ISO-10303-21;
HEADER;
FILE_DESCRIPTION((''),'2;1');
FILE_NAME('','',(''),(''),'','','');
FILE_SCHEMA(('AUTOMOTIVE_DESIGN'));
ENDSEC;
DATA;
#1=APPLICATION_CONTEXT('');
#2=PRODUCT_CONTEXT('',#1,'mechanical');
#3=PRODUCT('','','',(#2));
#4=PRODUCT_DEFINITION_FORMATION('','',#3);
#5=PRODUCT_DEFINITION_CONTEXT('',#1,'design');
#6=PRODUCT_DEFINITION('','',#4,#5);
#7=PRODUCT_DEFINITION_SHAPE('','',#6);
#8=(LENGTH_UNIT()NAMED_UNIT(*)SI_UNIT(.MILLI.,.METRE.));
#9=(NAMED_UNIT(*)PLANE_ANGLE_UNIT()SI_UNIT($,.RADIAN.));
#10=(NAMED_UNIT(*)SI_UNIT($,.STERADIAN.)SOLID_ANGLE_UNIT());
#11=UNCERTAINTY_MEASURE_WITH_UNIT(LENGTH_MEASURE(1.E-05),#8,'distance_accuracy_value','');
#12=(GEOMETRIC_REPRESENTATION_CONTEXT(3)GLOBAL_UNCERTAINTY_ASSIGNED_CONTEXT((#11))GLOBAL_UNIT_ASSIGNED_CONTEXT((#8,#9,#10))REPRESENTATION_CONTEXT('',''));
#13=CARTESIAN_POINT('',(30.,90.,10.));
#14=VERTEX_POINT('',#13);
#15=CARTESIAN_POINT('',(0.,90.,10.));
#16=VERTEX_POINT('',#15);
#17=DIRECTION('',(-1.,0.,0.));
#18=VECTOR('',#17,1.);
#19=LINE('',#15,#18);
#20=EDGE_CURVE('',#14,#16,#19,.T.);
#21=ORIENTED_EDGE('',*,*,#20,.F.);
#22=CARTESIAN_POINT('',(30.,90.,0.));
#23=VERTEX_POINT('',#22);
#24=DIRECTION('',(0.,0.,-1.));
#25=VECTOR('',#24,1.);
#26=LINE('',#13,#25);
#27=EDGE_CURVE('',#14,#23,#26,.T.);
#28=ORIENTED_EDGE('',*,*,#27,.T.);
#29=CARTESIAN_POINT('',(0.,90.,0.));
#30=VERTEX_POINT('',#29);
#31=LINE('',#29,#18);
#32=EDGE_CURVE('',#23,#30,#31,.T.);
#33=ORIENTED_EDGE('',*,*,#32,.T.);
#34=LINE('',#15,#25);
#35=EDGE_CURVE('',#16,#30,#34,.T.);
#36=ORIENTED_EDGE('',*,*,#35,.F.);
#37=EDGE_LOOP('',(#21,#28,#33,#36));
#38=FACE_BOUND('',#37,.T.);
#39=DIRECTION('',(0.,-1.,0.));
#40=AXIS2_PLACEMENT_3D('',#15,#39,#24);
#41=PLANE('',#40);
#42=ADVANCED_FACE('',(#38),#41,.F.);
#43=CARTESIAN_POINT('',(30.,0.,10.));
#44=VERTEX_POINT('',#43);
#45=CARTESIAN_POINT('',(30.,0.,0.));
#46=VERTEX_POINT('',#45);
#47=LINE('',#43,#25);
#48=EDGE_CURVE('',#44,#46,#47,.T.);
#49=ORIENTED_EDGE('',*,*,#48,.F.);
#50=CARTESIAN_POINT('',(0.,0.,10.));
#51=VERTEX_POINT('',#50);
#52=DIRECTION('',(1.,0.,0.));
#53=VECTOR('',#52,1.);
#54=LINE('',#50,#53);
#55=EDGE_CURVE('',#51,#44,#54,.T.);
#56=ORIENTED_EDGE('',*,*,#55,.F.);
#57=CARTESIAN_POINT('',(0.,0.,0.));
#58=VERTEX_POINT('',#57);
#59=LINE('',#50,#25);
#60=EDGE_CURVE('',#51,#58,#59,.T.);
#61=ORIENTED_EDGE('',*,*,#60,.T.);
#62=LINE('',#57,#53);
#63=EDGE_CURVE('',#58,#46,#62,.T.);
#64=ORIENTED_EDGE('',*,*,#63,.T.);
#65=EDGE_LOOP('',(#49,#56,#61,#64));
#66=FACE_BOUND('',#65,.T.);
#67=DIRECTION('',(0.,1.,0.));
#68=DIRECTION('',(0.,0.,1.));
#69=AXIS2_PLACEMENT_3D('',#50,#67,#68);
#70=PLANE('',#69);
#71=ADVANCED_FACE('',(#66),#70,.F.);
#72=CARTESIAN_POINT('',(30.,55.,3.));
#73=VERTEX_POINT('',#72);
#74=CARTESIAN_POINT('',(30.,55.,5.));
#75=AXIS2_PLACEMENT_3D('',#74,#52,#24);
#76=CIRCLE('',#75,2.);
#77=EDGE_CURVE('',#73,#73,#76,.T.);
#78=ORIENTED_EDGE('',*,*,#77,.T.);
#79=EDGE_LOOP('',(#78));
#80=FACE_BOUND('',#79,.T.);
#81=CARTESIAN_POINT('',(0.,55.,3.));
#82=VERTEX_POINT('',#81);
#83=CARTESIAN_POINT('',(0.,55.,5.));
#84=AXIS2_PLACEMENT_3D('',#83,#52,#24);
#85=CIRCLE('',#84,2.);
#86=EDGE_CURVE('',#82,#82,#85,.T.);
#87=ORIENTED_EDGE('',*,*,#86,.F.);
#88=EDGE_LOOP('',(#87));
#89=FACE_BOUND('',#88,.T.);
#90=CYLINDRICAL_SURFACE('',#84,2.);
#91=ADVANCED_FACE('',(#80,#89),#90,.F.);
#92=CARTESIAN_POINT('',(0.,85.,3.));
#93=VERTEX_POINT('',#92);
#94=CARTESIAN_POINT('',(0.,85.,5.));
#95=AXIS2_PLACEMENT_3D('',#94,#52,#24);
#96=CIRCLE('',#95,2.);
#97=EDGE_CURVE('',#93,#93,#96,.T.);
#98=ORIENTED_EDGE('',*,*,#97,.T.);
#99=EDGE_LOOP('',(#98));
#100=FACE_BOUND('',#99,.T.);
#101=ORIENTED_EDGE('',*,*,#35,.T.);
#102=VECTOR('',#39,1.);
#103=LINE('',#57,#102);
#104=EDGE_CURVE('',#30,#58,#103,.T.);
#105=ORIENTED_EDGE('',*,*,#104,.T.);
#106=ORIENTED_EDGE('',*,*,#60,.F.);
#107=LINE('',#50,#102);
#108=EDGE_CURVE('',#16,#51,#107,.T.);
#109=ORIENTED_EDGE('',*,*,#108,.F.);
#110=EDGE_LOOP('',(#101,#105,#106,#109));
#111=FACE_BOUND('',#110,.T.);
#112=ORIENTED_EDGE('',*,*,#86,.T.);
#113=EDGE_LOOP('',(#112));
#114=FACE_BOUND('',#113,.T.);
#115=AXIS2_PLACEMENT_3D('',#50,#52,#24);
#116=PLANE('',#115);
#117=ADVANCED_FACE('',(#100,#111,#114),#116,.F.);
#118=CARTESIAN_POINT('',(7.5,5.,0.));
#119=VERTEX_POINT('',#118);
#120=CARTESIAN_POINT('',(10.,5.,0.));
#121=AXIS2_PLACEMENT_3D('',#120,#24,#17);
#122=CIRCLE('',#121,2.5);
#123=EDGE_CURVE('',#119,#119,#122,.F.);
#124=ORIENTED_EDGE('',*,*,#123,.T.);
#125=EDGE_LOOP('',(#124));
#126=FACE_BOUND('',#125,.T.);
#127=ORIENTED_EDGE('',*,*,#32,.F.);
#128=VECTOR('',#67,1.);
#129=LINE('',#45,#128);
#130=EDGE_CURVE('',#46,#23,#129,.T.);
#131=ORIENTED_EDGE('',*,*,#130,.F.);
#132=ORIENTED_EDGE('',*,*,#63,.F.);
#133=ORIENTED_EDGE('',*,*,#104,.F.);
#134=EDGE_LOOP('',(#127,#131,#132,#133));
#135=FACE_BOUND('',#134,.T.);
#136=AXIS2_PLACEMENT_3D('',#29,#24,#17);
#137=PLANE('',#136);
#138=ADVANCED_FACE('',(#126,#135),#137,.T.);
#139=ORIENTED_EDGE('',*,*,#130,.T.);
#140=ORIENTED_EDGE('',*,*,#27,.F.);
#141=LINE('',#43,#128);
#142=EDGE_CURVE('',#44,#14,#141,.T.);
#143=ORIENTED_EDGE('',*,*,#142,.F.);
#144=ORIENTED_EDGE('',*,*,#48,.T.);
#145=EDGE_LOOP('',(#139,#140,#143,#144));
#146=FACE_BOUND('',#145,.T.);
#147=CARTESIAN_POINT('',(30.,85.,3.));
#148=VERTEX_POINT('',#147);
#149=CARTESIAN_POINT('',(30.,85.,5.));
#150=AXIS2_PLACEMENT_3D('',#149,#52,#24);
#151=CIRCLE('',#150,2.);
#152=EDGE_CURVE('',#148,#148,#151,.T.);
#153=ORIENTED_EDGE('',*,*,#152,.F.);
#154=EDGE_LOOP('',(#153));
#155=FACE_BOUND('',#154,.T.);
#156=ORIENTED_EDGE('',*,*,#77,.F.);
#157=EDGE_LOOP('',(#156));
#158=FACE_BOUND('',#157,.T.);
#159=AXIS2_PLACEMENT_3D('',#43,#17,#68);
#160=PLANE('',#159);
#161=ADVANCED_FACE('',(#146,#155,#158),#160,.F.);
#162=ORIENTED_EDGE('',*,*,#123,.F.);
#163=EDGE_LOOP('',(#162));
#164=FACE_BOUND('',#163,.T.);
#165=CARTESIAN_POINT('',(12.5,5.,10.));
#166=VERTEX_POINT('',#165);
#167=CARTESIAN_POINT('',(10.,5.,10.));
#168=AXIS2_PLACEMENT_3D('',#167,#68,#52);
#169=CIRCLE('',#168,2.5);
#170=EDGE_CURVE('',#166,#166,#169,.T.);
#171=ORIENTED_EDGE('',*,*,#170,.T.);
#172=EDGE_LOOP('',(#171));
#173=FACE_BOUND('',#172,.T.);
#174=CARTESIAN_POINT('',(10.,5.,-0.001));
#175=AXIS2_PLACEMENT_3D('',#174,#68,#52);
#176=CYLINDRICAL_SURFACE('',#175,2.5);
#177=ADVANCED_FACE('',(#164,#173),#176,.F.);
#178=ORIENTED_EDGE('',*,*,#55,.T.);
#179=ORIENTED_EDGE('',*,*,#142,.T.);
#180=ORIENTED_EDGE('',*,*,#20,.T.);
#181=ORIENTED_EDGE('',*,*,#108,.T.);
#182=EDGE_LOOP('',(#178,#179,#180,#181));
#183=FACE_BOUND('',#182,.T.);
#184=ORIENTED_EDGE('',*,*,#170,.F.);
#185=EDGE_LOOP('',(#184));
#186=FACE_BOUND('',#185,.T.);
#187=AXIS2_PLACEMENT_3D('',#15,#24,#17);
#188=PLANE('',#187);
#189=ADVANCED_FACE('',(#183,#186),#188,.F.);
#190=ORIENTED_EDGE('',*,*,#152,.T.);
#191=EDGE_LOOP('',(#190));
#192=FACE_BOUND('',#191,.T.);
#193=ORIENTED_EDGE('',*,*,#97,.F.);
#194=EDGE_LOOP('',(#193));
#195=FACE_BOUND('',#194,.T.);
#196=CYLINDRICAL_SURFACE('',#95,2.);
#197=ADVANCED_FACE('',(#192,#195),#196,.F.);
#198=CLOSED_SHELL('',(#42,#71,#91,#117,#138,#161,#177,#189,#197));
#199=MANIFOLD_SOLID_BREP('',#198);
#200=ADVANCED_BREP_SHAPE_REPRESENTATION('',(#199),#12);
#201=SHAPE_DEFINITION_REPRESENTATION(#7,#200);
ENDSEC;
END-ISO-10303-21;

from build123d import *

# Parameters (mm, degrees)
SKETCH1_W           = 30
SKETCH1_H           = 90
BOSS_EXTRUDE1_DEPTH = 10
CUT_EXTRUDE2_REACH  = 97.394
SKETCH4_R           = 2.5
SKETCH3_R           = 2
CUT_EXTRUDE3_DEPTH  = 96.393920142


with BuildPart() as part:
    # Sketch1 → Boss-Extrude1 (new body)
    with BuildSketch(Plane.XY):
        with Locations((15, 45)):
            Rectangle(SKETCH1_W, SKETCH1_H)
    extrude(amount=BOSS_EXTRUDE1_DEPTH)

    # Sketch4 → Cut-Extrude2 (cut, up to next)
    with BuildSketch(Plane.XY.offset(10), mode=Mode.PRIVATE) as cut_extrude2_sk1:
        with Locations((10, 5)):
            Circle(SKETCH4_R)
    cut_extrude2_tool1 = extrude(cut_extrude2_sk1.sketch, amount=-CUT_EXTRUDE2_REACH, mode=Mode.PRIVATE) & part.part
    add(cut_extrude2_tool1.solids().sort_by_distance((10, 5, 10))[0], mode=Mode.SUBTRACT)

    # Sketch3 → Cut-Extrude3 (cut, through all)
    with BuildSketch(Plane(origin=(30, 0, 0), x_dir=(0, 0, -1), z_dir=(1, 0, 0))):
        with Locations((-5, 85)):
            Circle(SKETCH3_R)
        with Locations((-5, 55)):
            Circle(SKETCH3_R)
    extrude(amount=-CUT_EXTRUDE3_DEPTH, mode=Mode.SUBTRACT)


solid = part.part
